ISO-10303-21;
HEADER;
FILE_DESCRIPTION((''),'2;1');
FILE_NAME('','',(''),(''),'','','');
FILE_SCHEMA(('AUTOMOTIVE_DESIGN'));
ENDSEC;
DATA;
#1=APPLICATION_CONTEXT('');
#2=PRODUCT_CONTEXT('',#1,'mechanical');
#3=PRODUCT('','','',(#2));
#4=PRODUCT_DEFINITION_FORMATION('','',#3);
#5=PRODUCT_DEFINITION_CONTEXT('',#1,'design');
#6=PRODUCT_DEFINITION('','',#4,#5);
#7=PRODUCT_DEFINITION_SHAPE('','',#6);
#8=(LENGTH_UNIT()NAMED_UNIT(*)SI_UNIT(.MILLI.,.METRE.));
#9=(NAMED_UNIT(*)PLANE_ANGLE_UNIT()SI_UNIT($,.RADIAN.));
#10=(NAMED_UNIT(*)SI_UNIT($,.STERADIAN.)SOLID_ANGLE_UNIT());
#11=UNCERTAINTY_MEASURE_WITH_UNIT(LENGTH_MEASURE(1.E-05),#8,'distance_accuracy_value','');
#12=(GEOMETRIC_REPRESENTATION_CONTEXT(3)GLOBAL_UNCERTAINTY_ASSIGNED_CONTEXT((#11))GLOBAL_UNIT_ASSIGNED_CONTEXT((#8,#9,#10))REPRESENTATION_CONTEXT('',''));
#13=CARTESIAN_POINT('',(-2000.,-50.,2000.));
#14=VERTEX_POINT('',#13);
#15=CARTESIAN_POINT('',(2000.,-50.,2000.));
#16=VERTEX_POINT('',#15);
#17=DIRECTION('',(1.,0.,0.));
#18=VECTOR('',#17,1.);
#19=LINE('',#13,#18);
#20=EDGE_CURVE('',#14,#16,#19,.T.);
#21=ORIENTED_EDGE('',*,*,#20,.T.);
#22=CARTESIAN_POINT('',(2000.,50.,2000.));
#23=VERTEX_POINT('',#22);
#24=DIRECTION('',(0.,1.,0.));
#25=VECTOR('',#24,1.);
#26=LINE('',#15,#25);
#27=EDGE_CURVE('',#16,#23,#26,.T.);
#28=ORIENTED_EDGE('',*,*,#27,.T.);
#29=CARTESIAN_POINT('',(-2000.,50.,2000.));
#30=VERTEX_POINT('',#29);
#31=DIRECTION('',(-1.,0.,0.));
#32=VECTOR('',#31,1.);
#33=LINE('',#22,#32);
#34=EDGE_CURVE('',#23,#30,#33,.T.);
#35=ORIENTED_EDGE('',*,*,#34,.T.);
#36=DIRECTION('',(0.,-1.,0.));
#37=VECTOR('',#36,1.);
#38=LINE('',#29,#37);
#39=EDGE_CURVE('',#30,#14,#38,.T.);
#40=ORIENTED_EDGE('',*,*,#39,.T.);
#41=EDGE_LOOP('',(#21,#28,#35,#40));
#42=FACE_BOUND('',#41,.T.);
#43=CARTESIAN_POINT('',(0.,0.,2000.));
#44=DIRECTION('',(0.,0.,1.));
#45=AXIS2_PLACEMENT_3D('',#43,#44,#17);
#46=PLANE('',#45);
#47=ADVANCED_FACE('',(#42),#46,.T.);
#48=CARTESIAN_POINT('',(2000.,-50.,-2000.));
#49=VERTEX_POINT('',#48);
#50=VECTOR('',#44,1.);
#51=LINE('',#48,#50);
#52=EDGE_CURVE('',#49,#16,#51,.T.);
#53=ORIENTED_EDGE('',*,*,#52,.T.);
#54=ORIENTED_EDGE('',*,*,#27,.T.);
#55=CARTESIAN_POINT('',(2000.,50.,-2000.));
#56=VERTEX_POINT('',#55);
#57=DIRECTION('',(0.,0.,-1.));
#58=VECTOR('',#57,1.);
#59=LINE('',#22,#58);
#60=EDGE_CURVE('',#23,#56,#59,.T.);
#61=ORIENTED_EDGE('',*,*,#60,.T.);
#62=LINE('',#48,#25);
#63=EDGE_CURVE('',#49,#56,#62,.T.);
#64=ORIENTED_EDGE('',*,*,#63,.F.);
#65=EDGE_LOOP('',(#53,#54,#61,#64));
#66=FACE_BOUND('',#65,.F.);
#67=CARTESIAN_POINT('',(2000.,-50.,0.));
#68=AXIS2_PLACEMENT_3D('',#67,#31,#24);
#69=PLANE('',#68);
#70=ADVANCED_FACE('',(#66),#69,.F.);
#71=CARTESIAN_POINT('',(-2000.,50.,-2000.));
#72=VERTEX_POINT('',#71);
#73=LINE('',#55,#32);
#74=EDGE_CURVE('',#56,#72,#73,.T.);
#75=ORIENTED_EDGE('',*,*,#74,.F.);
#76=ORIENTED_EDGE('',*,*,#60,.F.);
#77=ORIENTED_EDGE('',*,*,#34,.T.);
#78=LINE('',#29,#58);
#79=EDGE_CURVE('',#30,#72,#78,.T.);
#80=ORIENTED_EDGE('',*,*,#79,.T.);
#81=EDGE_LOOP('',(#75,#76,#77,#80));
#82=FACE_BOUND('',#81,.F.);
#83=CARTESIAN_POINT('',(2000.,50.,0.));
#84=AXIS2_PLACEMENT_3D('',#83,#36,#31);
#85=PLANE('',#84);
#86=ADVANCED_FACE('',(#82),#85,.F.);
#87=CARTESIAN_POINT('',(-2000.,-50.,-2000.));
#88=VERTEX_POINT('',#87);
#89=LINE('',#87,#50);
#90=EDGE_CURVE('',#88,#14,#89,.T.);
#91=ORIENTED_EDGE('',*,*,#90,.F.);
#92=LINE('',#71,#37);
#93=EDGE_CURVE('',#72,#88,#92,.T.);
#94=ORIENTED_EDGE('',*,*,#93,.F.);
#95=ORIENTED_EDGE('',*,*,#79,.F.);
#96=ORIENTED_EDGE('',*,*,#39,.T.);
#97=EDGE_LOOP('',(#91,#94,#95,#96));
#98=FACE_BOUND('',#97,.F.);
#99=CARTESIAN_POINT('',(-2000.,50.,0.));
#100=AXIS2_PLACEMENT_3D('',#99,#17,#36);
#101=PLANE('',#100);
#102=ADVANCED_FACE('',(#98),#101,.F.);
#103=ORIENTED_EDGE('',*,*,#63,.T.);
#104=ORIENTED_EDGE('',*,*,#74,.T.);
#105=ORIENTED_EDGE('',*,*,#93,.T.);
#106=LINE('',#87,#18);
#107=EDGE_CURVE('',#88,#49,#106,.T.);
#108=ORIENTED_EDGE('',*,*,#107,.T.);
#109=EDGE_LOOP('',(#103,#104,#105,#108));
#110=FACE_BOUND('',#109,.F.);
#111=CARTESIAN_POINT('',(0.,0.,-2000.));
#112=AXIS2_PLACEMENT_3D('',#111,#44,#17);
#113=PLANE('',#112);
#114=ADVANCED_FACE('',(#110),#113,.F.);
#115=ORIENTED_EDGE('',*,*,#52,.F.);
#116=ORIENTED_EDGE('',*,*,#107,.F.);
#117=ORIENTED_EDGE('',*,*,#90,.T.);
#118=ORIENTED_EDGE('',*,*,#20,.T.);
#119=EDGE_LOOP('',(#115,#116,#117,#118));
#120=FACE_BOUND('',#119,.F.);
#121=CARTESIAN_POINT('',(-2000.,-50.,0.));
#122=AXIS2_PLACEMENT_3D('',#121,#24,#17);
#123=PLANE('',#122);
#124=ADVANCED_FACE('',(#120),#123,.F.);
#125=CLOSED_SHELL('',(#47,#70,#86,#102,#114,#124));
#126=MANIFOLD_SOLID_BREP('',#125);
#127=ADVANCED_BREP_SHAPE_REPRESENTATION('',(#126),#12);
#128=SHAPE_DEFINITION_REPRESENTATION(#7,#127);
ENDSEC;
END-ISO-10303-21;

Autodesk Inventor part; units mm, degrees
ref_plane "YZ Plane" through (0, 0, 0) normal (1, 0, 0) x (0, 1, 0)
ref_plane "XZ Plane" through (0, 0, 0) normal (0, 1, 0) x (-1, 0, 0)
ref_plane "XY Plane" through (0, 0, 0) normal (0, 0, 1) x (1, 0, 0)
sketch "Sketch1" plane through (0, 0, 0) normal (0, 0, 1) x (1, 0, 0)
  line L0 (-2000, -50) -> (2000, -50)
  line L1 (2000, -50) -> (2000, 50)
  line L2 (2000, 50) -> (-2000, 50)
  line L3 (-2000, 50) -> (-2000, -50)
  line L4 (-2000, -50) -> (2000, 50) construction
  line L5 (2000, -50) -> (-2000, 50) construction
  point P0 (0, 0)
  dimension "d0" = 4000
  dimension "d1" = 100
extrude "Extrusion1" add sketch "Sketch1" along normal mid plane 4000
properties part number "ConcreteFloor" material "Concrete"
